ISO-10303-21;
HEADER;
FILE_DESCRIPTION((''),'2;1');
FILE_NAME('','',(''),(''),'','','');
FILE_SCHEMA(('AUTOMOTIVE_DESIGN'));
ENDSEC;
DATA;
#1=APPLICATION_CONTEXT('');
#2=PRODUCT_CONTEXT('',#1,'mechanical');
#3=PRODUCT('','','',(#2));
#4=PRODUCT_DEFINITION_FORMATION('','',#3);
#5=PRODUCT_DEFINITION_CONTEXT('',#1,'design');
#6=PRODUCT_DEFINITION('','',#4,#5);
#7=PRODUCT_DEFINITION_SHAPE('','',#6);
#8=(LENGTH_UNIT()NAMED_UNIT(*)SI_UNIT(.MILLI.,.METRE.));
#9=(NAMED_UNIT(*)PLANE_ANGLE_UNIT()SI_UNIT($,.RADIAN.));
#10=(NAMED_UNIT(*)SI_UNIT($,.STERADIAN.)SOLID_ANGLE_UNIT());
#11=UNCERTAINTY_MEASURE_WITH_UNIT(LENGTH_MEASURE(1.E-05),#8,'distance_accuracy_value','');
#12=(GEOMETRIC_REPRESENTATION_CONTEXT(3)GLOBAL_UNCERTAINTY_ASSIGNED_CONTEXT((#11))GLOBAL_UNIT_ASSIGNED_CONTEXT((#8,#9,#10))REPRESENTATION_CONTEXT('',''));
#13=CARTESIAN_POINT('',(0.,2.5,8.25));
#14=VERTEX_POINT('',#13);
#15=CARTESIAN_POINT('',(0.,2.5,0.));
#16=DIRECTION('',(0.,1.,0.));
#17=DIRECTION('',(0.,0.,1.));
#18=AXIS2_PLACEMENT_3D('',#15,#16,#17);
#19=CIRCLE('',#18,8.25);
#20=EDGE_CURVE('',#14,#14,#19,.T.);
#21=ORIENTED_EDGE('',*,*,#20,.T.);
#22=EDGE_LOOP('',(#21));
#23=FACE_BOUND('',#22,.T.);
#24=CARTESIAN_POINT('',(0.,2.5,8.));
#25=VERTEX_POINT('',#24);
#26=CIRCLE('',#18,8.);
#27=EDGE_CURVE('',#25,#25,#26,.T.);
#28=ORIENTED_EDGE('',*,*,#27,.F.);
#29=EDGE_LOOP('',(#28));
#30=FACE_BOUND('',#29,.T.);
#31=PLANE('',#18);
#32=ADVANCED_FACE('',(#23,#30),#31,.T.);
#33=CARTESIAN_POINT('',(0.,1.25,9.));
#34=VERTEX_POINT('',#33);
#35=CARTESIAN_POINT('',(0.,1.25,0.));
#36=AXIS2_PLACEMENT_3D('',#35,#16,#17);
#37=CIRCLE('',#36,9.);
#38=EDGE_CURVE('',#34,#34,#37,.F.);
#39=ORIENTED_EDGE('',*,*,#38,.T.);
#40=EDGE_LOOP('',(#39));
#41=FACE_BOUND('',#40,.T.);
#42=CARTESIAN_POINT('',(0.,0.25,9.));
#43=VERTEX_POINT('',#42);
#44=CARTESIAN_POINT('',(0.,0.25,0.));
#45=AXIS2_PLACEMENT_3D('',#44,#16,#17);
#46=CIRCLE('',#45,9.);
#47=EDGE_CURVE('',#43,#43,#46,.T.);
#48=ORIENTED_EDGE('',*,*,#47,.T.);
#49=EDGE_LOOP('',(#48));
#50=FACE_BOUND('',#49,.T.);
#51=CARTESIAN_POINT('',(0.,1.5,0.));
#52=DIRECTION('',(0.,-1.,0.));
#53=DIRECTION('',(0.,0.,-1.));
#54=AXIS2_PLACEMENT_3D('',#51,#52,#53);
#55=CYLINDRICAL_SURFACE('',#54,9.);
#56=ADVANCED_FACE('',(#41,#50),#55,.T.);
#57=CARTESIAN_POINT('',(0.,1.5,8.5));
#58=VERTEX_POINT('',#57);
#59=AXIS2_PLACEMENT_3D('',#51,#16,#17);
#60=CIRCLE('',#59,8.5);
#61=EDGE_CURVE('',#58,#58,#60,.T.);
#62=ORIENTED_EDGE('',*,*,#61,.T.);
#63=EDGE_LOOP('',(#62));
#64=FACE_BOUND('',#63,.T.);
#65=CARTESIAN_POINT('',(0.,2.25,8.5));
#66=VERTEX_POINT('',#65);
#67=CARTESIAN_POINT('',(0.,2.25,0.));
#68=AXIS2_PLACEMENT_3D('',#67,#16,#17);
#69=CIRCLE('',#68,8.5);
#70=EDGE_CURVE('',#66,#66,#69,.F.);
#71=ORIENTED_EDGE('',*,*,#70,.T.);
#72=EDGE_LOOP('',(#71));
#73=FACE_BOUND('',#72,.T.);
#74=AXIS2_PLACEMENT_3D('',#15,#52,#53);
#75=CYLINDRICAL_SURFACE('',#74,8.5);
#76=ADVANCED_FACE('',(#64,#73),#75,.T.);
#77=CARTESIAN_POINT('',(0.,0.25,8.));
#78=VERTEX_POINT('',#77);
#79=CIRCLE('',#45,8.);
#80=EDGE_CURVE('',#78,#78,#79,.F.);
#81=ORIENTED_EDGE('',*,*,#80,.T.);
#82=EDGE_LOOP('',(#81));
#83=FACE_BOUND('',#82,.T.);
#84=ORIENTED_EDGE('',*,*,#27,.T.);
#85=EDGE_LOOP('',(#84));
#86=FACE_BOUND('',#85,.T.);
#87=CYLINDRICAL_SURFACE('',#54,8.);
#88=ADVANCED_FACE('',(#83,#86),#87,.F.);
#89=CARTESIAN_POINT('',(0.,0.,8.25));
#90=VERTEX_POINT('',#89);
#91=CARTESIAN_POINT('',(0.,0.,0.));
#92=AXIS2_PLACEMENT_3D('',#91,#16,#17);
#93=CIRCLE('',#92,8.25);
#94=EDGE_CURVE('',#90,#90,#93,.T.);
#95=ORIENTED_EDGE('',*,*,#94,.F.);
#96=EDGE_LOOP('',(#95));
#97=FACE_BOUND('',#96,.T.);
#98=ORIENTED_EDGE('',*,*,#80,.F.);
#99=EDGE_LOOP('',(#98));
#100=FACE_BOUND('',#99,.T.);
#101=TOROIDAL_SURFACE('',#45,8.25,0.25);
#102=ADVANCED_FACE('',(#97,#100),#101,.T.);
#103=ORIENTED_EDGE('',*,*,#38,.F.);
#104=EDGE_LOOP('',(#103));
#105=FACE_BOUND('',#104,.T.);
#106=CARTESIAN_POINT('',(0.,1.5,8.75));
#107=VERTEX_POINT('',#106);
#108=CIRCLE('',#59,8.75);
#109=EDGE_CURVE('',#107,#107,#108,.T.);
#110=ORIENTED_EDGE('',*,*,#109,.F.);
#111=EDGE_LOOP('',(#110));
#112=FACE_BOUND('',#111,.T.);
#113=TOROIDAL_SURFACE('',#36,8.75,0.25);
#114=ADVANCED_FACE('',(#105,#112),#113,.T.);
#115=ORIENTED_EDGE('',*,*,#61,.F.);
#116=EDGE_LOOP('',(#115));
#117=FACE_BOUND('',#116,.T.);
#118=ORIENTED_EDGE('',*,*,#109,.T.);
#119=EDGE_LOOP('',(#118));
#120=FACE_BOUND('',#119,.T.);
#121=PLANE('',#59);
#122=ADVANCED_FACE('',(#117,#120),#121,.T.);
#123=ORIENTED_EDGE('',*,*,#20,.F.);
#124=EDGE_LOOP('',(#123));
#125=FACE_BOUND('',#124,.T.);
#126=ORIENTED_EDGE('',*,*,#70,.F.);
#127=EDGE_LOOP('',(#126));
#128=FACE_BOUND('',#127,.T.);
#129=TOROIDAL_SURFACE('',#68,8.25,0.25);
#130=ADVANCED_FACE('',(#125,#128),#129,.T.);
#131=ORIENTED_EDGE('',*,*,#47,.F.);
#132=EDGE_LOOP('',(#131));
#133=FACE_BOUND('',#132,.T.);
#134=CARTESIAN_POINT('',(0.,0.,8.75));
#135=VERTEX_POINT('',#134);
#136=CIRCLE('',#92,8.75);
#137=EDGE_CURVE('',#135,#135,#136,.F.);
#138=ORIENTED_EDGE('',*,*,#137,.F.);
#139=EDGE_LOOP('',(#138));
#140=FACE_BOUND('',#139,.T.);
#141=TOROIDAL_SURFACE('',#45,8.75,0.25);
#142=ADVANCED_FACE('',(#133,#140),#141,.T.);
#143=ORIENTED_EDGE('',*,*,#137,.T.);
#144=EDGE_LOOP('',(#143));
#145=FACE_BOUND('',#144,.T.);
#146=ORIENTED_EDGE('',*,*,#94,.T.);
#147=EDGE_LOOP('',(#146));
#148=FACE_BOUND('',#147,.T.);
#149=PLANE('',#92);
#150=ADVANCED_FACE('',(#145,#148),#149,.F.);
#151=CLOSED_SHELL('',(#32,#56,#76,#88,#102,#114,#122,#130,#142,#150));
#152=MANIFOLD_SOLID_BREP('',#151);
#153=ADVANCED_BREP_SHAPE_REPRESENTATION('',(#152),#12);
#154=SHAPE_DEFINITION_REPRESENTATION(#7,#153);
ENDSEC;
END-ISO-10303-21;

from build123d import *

# Parameters (mm, degrees)
CROQUIS1_R              = 9
SALIENTE_EXTRUIR1_DEPTH = 1.5
CROQUIS2_R              = 8.5
SALIENTE_EXTRUIR2_DEPTH = 1
VACIADO1_T              = -1
CROQUIS3_R              = 8
CORTAR_EXTRUIR1_DEPTH   = 13.971121771
REDONDEO1_R             = 0.25
REDONDEO3_R             = 0.25
REDONDEO4_R             = 0.25
REDONDEO5_R             = 0.25


with BuildPart() as part:
    # Croquis1 → Saliente-Extruir1 (new body)
    with BuildSketch(Plane(origin=(0, 0, 0), x_dir=(1, 0, 0), z_dir=(0, 1, 0))):
        with Locations(Location((0, 0, 0), (0, 0, 270))):
            Circle(CROQUIS1_R)
    extrude(amount=SALIENTE_EXTRUIR1_DEPTH)

    # Croquis2 → Saliente-Extruir2 (add)
    with BuildSketch(Plane(origin=(0, 1.5, 0), x_dir=(1, 0, 0), z_dir=(0, 1, 0))):
        with Locations(Location((0, 0, 0), (0, 0, 270))):
            Circle(CROQUIS2_R)
    extrude(amount=SALIENTE_EXTRUIR2_DEPTH)

    # Vaciado1
    vaciado1_openings = [part.faces().sort_by_distance(p)[0] for p in [
        (0, 0, 0),
    ]]
    offset(amount=VACIADO1_T, openings=vaciado1_openings, kind=Kind.INTERSECTION)

    # Croquis3 → Cortar-Extruir1 (cut, through all)
    with BuildSketch(Plane(origin=(0, 2.5, 0), x_dir=(1, 0, 0), z_dir=(0, 1, 0))):
        with Locations(Location((0, 0, 0), (0, 0, 270))):
            Circle(CROQUIS3_R)
    extrude(amount=-CORTAR_EXTRUIR1_DEPTH, mode=Mode.SUBTRACT)

    # Redondeo1
    redondeo1_edges = [part.edges().sort_by_distance(p)[0] for p in [
        (0, 1.5, -9),
    ]]
    fillet(redondeo1_edges, radius=REDONDEO1_R)

    # Redondeo3
    redondeo3_edges = [part.edges().sort_by_distance(p)[0] for p in [
        (0, 2.5, -8.5),
    ]]
    fillet(redondeo3_edges, radius=REDONDEO3_R)

    # Redondeo4
    redondeo4_edges = [part.edges().sort_by_distance(p)[0] for p in [
        (0, 0, -9),
    ]]
    fillet(redondeo4_edges, radius=REDONDEO4_R)

    # Redondeo5
    redondeo5_edges = [part.edges().sort_by_distance(p)[0] for p in [
        (0, 0, -8),
    ]]
    fillet(redondeo5_edges, radius=REDONDEO5_R)


solid = part.part
